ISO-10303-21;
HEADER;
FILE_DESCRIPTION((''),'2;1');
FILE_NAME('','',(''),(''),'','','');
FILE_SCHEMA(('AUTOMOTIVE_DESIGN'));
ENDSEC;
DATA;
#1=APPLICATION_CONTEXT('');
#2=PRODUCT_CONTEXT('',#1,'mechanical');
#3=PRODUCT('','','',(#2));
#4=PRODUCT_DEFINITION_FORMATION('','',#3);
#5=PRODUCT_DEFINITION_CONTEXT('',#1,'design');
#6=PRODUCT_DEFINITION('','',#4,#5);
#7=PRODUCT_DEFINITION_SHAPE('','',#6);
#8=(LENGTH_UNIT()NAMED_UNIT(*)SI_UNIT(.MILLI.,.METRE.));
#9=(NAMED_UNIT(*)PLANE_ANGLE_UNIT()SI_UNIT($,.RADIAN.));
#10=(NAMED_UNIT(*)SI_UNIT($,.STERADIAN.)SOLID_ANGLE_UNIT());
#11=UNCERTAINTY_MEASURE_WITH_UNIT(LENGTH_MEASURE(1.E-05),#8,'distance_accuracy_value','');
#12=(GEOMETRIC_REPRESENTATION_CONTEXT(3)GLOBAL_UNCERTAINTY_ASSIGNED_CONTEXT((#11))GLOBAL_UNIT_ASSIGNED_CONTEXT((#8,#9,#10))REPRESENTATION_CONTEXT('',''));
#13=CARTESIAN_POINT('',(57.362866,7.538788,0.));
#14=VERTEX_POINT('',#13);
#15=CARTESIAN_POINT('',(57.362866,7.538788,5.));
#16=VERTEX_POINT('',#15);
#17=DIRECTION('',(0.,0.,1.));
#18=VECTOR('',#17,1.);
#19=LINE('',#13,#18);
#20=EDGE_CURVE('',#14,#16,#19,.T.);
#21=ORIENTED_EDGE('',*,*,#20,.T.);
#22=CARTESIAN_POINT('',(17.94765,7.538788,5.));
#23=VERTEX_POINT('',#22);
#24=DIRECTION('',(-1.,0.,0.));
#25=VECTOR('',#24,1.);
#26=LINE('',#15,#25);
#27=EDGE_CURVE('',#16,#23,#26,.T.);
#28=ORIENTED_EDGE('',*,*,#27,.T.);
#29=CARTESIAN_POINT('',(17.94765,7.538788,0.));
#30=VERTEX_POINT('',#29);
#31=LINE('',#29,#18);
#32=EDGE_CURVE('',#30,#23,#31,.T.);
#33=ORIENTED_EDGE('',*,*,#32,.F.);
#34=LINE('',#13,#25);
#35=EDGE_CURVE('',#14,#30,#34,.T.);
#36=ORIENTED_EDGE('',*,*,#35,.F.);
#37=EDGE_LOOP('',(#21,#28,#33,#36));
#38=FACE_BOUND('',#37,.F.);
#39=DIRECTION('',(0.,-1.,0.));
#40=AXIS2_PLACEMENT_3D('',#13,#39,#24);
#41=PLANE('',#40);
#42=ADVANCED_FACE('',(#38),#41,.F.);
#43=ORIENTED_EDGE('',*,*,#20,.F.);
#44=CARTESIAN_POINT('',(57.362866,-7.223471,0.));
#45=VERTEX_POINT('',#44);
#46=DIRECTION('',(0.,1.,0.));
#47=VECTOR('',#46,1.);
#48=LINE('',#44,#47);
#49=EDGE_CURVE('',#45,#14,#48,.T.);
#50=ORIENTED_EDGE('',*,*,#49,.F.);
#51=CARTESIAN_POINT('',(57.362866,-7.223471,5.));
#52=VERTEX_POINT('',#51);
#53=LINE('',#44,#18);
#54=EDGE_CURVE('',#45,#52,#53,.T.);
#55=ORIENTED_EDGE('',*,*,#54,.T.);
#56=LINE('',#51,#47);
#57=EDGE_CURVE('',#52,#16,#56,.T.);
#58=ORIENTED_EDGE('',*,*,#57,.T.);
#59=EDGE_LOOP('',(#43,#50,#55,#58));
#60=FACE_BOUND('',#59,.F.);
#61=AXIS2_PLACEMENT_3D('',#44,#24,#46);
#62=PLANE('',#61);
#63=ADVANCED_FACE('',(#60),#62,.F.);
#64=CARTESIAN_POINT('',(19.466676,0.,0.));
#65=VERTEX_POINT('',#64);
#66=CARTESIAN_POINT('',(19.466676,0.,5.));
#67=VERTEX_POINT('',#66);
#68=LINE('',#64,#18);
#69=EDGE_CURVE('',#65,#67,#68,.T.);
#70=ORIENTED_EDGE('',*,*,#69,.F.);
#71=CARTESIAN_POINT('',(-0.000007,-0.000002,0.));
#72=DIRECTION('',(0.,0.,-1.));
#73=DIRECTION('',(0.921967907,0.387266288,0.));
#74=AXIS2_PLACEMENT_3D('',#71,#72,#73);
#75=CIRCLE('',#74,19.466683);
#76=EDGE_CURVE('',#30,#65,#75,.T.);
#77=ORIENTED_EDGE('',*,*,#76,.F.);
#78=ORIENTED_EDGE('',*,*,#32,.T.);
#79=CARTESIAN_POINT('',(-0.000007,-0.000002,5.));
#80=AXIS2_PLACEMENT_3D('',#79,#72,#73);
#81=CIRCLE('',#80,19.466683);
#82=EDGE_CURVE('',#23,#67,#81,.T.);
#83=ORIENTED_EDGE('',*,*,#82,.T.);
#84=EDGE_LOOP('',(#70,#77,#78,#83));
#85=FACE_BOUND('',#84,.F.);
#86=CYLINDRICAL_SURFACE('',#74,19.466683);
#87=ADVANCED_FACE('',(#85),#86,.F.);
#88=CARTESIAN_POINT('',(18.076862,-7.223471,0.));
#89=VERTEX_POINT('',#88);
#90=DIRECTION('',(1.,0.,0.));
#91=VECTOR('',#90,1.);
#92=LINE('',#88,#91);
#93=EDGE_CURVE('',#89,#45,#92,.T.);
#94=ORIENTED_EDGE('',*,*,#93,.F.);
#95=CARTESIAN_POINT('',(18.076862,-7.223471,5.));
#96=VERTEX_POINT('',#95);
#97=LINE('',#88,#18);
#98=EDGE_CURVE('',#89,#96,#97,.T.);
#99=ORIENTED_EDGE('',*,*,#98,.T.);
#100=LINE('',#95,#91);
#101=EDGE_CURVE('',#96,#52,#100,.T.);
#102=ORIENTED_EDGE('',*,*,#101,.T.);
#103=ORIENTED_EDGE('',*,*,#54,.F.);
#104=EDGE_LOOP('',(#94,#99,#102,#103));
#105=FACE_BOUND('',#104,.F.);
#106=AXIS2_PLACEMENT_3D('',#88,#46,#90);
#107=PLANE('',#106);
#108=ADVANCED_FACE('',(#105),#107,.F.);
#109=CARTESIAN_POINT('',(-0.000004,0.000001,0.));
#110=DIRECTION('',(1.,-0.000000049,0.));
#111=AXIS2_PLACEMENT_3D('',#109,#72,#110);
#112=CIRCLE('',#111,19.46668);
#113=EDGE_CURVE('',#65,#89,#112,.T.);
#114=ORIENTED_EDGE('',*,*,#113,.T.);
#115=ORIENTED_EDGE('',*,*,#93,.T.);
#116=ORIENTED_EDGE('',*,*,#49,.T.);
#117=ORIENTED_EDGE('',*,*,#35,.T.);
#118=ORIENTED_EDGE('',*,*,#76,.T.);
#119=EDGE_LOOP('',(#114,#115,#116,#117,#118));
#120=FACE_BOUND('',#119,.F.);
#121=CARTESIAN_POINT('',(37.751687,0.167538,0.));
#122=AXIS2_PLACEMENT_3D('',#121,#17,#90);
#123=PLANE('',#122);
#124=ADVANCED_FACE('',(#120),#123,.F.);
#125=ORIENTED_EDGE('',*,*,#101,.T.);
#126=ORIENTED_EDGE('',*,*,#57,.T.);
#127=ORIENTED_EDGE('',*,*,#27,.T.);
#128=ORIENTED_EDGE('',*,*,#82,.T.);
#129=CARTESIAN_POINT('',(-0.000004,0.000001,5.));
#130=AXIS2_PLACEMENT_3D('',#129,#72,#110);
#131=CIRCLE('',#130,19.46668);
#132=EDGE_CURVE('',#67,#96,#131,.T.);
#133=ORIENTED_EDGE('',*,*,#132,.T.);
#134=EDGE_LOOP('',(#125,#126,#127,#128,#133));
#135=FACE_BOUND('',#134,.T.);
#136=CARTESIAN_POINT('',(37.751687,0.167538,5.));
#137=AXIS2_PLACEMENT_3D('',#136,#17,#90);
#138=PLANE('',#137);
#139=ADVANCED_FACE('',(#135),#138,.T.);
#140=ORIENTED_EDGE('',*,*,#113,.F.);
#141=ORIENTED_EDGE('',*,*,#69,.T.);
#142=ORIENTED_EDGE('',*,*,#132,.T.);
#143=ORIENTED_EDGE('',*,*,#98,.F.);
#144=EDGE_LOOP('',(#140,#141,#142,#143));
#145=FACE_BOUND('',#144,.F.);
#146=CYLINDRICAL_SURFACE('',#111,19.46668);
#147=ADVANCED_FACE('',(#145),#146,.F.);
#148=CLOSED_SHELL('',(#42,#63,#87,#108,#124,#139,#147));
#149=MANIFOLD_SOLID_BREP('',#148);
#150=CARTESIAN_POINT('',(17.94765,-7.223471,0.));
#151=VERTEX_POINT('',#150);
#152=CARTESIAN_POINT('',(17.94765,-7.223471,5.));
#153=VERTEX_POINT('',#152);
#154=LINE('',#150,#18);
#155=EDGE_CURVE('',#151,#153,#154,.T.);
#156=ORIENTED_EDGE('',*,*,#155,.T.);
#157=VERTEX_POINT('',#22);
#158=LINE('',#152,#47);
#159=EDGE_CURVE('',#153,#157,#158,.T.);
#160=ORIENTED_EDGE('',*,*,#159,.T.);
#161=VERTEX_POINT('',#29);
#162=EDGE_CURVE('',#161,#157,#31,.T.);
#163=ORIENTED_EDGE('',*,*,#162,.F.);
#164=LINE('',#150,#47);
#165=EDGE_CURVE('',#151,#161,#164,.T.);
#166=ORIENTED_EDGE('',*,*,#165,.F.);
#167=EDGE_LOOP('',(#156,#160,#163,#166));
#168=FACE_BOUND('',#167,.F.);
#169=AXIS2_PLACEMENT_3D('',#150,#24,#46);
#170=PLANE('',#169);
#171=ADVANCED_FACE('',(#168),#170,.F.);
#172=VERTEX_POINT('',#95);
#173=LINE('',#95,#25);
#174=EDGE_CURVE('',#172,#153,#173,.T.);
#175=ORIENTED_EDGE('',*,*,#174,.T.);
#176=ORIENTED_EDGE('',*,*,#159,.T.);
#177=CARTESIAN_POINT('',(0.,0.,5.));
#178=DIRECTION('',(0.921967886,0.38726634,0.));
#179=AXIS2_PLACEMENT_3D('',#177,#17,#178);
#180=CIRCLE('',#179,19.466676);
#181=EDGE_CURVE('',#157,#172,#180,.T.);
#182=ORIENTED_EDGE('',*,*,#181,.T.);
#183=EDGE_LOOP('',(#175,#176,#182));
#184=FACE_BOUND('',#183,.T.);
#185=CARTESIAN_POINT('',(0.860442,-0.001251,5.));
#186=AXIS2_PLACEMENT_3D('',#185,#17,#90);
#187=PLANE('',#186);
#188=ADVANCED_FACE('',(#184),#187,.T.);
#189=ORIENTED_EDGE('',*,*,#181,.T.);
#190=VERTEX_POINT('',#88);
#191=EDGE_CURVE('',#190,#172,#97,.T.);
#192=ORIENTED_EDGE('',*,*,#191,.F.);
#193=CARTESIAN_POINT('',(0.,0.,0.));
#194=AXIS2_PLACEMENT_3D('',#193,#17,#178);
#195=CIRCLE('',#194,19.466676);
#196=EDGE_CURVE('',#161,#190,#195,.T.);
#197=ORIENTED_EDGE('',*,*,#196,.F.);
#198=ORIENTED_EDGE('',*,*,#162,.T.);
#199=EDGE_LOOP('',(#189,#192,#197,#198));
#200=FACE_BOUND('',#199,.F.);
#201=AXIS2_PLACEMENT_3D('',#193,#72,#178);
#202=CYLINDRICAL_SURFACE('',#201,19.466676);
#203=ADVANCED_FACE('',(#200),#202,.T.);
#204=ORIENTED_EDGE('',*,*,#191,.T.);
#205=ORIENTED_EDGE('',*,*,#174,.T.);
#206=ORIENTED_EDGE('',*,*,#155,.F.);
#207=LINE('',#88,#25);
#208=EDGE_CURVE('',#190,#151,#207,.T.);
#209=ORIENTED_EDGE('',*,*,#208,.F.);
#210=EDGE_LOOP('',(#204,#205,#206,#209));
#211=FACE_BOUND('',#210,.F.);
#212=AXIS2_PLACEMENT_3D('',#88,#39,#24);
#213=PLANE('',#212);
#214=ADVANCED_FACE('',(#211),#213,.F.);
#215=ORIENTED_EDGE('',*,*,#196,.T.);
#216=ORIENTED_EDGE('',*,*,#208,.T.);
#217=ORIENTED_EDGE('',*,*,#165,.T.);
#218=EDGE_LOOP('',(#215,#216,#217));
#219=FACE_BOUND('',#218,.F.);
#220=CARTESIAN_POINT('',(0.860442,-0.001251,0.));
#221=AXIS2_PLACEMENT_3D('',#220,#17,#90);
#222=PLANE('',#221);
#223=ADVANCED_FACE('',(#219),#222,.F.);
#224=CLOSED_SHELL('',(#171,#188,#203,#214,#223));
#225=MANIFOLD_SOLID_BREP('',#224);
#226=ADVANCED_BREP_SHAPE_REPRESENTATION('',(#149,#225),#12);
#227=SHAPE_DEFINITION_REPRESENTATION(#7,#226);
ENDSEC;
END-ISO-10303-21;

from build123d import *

# Parameters (mm, degrees)
F1_DEPTH = 5


with BuildPart() as f1:
    # F0 (on Top) → F1 (new body)
    with BuildSketch(Plane.XY):
        with BuildLine():
            Line((17.94765, -7.223471), (17.94765, 7.538788))
            ThreePointArc((17.94765, 7.538788), (-19.46593, -0.170382), (18.076862, -7.223471))
            Line((18.076862, -7.223471), (17.94765, -7.223471))
        make_face()
        with BuildLine():
            ThreePointArc((17.94765, 7.538788), (19.083141, 3.845152), (19.466676, 0))
            ThreePointArc((19.466676, 0), (19.116065, -3.677979), (18.076862, -7.223471))
            Line((18.076862, -7.223471), (57.362866, -7.223471))
            Line((57.362866, -7.223471), (57.362866, 7.538788))
            Line((57.362866, 7.538788), (17.94765, 7.538788))
        make_face()
    extrude(amount=F1_DEPTH)


solid = f1.part
